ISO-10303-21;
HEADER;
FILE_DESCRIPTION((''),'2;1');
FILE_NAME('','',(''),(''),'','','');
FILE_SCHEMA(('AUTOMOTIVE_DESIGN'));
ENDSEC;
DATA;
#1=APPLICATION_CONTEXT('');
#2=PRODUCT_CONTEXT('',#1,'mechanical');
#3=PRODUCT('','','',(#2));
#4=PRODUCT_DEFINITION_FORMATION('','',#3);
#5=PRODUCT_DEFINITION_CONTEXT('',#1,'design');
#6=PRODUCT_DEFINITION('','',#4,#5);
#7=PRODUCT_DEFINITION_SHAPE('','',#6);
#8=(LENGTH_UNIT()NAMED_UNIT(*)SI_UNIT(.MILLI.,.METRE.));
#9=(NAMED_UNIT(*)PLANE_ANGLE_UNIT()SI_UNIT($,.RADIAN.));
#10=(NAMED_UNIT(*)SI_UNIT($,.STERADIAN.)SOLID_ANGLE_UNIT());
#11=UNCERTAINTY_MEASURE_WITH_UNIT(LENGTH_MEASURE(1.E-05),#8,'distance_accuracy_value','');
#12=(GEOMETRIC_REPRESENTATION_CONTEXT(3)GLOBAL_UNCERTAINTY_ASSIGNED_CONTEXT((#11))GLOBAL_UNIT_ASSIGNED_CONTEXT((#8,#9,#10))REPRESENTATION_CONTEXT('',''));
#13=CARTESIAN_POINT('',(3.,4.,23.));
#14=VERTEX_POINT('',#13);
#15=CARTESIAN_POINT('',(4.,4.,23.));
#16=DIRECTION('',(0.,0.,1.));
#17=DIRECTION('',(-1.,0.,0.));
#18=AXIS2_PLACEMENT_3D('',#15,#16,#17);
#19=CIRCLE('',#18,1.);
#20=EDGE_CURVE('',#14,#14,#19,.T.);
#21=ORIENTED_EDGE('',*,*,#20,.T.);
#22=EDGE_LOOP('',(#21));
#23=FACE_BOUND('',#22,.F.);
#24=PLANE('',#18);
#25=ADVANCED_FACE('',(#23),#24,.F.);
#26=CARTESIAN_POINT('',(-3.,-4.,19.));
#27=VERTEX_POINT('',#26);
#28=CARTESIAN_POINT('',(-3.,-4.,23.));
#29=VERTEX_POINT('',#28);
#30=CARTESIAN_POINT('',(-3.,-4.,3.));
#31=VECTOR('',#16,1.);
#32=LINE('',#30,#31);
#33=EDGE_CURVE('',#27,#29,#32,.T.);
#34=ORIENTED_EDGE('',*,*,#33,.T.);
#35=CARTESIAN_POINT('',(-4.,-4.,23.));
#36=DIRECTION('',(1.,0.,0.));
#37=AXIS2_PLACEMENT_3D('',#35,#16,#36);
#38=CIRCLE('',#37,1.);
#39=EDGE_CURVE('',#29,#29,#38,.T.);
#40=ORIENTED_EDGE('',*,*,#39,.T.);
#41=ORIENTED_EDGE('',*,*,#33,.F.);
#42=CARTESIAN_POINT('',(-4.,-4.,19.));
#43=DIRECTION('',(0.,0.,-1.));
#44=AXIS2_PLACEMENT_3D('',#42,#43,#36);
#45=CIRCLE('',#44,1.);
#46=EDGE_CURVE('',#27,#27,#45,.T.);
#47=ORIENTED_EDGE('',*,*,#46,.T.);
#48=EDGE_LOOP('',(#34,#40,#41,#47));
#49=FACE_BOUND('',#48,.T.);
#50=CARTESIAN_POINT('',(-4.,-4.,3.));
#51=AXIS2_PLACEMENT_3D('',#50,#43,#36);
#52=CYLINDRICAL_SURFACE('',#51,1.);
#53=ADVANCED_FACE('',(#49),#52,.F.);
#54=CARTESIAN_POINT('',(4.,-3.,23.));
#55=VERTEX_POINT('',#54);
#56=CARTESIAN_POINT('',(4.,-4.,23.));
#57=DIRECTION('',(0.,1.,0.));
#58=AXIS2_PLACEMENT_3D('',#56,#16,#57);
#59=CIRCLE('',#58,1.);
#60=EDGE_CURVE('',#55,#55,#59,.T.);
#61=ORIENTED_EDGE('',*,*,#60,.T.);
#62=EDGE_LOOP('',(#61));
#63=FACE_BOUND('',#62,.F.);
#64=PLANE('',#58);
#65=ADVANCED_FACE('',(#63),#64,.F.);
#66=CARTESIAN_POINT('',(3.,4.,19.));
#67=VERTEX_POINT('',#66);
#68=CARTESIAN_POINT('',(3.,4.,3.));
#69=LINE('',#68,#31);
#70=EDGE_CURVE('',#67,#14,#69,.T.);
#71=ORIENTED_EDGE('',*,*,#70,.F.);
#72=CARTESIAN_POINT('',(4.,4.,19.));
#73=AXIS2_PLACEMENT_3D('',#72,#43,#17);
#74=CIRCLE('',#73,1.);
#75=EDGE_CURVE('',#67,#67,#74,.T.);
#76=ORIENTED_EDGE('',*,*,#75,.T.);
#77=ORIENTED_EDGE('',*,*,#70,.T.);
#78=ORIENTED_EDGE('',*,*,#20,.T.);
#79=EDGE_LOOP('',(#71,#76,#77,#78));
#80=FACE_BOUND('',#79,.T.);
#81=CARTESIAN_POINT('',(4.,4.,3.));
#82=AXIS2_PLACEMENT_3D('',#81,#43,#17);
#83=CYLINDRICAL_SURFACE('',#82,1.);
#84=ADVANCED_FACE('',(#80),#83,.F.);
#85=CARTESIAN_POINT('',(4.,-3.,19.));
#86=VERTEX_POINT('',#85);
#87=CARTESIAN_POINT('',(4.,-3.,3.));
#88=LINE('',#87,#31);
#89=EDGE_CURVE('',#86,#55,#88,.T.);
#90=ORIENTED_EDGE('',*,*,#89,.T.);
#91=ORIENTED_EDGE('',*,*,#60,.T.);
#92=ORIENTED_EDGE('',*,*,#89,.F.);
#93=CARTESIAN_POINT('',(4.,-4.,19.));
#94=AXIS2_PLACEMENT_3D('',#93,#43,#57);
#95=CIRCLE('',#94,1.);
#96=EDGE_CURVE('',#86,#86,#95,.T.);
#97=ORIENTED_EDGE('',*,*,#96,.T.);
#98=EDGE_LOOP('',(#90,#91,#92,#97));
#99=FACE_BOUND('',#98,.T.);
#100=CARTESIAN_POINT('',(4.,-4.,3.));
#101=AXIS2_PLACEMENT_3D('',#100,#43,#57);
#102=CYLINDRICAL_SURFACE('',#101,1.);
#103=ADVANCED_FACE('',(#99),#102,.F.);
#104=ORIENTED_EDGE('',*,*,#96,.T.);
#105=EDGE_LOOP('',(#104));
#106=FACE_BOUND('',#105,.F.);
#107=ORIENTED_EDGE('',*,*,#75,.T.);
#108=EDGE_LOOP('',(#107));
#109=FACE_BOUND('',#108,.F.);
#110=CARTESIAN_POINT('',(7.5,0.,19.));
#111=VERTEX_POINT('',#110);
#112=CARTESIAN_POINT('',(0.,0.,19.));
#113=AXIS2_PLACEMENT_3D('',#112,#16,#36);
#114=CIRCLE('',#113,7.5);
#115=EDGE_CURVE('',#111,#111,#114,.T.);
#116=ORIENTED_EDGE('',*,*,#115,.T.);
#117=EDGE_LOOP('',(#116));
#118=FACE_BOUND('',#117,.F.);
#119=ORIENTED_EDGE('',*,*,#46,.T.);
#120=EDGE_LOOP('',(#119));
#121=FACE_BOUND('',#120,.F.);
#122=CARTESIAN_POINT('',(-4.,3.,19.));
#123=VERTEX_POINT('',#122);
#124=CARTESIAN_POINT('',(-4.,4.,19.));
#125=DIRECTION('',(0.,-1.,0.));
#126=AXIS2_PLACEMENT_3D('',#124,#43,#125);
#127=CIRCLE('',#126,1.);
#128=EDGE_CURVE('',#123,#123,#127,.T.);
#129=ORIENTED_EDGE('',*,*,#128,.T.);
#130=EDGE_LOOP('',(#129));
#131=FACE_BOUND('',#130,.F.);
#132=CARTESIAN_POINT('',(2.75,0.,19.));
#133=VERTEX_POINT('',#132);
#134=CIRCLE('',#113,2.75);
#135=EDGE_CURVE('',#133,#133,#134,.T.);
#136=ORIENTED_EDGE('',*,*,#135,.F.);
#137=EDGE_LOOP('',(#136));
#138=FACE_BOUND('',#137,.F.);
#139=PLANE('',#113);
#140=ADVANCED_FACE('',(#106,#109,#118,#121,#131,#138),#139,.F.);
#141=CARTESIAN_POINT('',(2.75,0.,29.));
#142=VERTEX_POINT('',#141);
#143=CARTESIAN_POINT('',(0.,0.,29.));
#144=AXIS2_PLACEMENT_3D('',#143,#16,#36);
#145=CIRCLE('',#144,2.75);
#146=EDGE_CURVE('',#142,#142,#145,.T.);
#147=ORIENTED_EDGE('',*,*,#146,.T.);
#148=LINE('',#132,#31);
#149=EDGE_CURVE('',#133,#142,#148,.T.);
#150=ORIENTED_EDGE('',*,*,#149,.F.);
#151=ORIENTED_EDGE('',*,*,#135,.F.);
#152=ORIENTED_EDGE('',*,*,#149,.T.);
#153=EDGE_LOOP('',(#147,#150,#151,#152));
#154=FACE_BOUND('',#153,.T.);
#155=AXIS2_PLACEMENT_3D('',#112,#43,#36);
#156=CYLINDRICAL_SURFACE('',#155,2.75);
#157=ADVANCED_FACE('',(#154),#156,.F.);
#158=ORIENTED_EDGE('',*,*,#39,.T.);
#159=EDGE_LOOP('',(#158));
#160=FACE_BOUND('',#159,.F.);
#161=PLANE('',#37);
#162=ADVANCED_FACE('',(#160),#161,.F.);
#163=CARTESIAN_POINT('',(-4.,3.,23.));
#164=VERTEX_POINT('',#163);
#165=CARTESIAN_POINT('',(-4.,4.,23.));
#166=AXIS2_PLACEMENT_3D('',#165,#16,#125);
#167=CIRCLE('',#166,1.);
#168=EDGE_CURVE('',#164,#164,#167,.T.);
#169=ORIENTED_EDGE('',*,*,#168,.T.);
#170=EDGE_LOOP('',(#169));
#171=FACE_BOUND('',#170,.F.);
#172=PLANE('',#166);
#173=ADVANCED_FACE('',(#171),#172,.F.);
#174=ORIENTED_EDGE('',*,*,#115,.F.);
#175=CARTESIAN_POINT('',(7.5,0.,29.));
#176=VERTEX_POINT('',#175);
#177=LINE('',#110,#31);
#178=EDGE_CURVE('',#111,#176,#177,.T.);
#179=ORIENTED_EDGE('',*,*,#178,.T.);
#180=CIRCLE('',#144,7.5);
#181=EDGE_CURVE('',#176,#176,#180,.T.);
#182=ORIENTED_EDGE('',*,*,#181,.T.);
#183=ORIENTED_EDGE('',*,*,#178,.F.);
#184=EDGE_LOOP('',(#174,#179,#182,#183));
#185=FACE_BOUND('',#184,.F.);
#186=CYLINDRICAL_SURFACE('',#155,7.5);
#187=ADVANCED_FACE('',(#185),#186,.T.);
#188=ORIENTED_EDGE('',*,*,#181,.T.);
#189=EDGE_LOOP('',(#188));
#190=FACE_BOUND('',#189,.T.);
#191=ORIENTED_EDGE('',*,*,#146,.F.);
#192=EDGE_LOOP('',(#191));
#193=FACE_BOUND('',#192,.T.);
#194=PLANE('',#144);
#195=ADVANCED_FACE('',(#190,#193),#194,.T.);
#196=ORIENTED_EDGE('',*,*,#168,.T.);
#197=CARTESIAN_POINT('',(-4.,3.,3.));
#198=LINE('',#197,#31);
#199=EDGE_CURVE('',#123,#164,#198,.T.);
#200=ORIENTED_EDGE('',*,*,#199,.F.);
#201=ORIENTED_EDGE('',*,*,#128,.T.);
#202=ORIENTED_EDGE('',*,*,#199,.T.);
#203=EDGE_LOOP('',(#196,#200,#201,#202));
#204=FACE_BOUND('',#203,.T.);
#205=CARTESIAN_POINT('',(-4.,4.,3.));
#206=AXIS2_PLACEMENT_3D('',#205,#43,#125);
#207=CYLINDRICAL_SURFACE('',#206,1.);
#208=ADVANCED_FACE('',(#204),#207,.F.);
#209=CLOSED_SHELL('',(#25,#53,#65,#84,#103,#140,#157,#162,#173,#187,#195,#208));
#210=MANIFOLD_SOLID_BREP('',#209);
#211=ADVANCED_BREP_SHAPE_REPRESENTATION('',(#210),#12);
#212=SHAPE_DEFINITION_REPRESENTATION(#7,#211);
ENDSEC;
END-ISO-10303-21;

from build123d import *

# Parameters (mm, degrees)
CYLINDER1349_R     = 1
CYLINDER1349_DEPTH = 20
CYLINDER1351_R     = 1
CYLINDER1351_DEPTH = 20
CYLINDER1352_R     = 1
CYLINDER1352_DEPTH = 20
CYLINDER1345_R     = 1
CYLINDER1345_DEPTH = 20
TUBE120_R          = 7.5
TUBE120_R_2        = 2.75
TUBE120_DEPTH      = 10


with BuildPart() as v_lec1349:
    # Cylinder1349 → Cylinder1349 (new body)
    with BuildSketch(Plane(origin=(4, -4, -88), x_dir=(0, 1, 0), z_dir=(0, 0, 1))):
        Circle(CYLINDER1349_R)
    extrude(amount=CYLINDER1349_DEPTH)


with BuildPart() as v_lec1351:
    # Cylinder1351 → Cylinder1351 (new body)
    with BuildSketch(Plane(origin=(4, 4, -88), x_dir=(-1, 0, 0), z_dir=(0, 0, 1))):
        Circle(CYLINDER1351_R)
    extrude(amount=CYLINDER1351_DEPTH)


with BuildPart() as v_lec1352:
    # Cylinder1352 → Cylinder1352 (new body)
    with BuildSketch(Plane(origin=(-4, 4, -88), x_dir=(0, -1, 0), z_dir=(0, 0, 1))):
        Circle(CYLINDER1352_R)
    extrude(amount=CYLINDER1352_DEPTH)


with BuildPart() as compound943:
    # Cylinder1345 → Cylinder1345 (new body)
    with BuildSketch(Plane(origin=(-4, -4, -88), x_dir=(1, 0, 0), z_dir=(0, 0, 1))):
        Circle(CYLINDER1345_R)
    extrude(amount=CYLINDER1345_DEPTH)

    # Compound943: union Válec1349, Válec1351, Válec1352
    add(v_lec1349.part)
    add(v_lec1351.part)
    add(v_lec1352.part)


with BuildPart() as compound943_1:
    # Compound943 placement: moved
    add(compound943.part.moved(Location((0, 0, 91))))


with BuildPart() as cut484:
    # Tube120 → Tube120 (new body)
    with BuildSketch(Plane.XY.offset(19)):
        Circle(TUBE120_R)
        Circle(TUBE120_R_2, mode=Mode.SUBTRACT)
    extrude(amount=TUBE120_DEPTH)

    # Cut484: cut Compound943
    add(compound943_1.part, mode=Mode.SUBTRACT)


solid = cut484.part
